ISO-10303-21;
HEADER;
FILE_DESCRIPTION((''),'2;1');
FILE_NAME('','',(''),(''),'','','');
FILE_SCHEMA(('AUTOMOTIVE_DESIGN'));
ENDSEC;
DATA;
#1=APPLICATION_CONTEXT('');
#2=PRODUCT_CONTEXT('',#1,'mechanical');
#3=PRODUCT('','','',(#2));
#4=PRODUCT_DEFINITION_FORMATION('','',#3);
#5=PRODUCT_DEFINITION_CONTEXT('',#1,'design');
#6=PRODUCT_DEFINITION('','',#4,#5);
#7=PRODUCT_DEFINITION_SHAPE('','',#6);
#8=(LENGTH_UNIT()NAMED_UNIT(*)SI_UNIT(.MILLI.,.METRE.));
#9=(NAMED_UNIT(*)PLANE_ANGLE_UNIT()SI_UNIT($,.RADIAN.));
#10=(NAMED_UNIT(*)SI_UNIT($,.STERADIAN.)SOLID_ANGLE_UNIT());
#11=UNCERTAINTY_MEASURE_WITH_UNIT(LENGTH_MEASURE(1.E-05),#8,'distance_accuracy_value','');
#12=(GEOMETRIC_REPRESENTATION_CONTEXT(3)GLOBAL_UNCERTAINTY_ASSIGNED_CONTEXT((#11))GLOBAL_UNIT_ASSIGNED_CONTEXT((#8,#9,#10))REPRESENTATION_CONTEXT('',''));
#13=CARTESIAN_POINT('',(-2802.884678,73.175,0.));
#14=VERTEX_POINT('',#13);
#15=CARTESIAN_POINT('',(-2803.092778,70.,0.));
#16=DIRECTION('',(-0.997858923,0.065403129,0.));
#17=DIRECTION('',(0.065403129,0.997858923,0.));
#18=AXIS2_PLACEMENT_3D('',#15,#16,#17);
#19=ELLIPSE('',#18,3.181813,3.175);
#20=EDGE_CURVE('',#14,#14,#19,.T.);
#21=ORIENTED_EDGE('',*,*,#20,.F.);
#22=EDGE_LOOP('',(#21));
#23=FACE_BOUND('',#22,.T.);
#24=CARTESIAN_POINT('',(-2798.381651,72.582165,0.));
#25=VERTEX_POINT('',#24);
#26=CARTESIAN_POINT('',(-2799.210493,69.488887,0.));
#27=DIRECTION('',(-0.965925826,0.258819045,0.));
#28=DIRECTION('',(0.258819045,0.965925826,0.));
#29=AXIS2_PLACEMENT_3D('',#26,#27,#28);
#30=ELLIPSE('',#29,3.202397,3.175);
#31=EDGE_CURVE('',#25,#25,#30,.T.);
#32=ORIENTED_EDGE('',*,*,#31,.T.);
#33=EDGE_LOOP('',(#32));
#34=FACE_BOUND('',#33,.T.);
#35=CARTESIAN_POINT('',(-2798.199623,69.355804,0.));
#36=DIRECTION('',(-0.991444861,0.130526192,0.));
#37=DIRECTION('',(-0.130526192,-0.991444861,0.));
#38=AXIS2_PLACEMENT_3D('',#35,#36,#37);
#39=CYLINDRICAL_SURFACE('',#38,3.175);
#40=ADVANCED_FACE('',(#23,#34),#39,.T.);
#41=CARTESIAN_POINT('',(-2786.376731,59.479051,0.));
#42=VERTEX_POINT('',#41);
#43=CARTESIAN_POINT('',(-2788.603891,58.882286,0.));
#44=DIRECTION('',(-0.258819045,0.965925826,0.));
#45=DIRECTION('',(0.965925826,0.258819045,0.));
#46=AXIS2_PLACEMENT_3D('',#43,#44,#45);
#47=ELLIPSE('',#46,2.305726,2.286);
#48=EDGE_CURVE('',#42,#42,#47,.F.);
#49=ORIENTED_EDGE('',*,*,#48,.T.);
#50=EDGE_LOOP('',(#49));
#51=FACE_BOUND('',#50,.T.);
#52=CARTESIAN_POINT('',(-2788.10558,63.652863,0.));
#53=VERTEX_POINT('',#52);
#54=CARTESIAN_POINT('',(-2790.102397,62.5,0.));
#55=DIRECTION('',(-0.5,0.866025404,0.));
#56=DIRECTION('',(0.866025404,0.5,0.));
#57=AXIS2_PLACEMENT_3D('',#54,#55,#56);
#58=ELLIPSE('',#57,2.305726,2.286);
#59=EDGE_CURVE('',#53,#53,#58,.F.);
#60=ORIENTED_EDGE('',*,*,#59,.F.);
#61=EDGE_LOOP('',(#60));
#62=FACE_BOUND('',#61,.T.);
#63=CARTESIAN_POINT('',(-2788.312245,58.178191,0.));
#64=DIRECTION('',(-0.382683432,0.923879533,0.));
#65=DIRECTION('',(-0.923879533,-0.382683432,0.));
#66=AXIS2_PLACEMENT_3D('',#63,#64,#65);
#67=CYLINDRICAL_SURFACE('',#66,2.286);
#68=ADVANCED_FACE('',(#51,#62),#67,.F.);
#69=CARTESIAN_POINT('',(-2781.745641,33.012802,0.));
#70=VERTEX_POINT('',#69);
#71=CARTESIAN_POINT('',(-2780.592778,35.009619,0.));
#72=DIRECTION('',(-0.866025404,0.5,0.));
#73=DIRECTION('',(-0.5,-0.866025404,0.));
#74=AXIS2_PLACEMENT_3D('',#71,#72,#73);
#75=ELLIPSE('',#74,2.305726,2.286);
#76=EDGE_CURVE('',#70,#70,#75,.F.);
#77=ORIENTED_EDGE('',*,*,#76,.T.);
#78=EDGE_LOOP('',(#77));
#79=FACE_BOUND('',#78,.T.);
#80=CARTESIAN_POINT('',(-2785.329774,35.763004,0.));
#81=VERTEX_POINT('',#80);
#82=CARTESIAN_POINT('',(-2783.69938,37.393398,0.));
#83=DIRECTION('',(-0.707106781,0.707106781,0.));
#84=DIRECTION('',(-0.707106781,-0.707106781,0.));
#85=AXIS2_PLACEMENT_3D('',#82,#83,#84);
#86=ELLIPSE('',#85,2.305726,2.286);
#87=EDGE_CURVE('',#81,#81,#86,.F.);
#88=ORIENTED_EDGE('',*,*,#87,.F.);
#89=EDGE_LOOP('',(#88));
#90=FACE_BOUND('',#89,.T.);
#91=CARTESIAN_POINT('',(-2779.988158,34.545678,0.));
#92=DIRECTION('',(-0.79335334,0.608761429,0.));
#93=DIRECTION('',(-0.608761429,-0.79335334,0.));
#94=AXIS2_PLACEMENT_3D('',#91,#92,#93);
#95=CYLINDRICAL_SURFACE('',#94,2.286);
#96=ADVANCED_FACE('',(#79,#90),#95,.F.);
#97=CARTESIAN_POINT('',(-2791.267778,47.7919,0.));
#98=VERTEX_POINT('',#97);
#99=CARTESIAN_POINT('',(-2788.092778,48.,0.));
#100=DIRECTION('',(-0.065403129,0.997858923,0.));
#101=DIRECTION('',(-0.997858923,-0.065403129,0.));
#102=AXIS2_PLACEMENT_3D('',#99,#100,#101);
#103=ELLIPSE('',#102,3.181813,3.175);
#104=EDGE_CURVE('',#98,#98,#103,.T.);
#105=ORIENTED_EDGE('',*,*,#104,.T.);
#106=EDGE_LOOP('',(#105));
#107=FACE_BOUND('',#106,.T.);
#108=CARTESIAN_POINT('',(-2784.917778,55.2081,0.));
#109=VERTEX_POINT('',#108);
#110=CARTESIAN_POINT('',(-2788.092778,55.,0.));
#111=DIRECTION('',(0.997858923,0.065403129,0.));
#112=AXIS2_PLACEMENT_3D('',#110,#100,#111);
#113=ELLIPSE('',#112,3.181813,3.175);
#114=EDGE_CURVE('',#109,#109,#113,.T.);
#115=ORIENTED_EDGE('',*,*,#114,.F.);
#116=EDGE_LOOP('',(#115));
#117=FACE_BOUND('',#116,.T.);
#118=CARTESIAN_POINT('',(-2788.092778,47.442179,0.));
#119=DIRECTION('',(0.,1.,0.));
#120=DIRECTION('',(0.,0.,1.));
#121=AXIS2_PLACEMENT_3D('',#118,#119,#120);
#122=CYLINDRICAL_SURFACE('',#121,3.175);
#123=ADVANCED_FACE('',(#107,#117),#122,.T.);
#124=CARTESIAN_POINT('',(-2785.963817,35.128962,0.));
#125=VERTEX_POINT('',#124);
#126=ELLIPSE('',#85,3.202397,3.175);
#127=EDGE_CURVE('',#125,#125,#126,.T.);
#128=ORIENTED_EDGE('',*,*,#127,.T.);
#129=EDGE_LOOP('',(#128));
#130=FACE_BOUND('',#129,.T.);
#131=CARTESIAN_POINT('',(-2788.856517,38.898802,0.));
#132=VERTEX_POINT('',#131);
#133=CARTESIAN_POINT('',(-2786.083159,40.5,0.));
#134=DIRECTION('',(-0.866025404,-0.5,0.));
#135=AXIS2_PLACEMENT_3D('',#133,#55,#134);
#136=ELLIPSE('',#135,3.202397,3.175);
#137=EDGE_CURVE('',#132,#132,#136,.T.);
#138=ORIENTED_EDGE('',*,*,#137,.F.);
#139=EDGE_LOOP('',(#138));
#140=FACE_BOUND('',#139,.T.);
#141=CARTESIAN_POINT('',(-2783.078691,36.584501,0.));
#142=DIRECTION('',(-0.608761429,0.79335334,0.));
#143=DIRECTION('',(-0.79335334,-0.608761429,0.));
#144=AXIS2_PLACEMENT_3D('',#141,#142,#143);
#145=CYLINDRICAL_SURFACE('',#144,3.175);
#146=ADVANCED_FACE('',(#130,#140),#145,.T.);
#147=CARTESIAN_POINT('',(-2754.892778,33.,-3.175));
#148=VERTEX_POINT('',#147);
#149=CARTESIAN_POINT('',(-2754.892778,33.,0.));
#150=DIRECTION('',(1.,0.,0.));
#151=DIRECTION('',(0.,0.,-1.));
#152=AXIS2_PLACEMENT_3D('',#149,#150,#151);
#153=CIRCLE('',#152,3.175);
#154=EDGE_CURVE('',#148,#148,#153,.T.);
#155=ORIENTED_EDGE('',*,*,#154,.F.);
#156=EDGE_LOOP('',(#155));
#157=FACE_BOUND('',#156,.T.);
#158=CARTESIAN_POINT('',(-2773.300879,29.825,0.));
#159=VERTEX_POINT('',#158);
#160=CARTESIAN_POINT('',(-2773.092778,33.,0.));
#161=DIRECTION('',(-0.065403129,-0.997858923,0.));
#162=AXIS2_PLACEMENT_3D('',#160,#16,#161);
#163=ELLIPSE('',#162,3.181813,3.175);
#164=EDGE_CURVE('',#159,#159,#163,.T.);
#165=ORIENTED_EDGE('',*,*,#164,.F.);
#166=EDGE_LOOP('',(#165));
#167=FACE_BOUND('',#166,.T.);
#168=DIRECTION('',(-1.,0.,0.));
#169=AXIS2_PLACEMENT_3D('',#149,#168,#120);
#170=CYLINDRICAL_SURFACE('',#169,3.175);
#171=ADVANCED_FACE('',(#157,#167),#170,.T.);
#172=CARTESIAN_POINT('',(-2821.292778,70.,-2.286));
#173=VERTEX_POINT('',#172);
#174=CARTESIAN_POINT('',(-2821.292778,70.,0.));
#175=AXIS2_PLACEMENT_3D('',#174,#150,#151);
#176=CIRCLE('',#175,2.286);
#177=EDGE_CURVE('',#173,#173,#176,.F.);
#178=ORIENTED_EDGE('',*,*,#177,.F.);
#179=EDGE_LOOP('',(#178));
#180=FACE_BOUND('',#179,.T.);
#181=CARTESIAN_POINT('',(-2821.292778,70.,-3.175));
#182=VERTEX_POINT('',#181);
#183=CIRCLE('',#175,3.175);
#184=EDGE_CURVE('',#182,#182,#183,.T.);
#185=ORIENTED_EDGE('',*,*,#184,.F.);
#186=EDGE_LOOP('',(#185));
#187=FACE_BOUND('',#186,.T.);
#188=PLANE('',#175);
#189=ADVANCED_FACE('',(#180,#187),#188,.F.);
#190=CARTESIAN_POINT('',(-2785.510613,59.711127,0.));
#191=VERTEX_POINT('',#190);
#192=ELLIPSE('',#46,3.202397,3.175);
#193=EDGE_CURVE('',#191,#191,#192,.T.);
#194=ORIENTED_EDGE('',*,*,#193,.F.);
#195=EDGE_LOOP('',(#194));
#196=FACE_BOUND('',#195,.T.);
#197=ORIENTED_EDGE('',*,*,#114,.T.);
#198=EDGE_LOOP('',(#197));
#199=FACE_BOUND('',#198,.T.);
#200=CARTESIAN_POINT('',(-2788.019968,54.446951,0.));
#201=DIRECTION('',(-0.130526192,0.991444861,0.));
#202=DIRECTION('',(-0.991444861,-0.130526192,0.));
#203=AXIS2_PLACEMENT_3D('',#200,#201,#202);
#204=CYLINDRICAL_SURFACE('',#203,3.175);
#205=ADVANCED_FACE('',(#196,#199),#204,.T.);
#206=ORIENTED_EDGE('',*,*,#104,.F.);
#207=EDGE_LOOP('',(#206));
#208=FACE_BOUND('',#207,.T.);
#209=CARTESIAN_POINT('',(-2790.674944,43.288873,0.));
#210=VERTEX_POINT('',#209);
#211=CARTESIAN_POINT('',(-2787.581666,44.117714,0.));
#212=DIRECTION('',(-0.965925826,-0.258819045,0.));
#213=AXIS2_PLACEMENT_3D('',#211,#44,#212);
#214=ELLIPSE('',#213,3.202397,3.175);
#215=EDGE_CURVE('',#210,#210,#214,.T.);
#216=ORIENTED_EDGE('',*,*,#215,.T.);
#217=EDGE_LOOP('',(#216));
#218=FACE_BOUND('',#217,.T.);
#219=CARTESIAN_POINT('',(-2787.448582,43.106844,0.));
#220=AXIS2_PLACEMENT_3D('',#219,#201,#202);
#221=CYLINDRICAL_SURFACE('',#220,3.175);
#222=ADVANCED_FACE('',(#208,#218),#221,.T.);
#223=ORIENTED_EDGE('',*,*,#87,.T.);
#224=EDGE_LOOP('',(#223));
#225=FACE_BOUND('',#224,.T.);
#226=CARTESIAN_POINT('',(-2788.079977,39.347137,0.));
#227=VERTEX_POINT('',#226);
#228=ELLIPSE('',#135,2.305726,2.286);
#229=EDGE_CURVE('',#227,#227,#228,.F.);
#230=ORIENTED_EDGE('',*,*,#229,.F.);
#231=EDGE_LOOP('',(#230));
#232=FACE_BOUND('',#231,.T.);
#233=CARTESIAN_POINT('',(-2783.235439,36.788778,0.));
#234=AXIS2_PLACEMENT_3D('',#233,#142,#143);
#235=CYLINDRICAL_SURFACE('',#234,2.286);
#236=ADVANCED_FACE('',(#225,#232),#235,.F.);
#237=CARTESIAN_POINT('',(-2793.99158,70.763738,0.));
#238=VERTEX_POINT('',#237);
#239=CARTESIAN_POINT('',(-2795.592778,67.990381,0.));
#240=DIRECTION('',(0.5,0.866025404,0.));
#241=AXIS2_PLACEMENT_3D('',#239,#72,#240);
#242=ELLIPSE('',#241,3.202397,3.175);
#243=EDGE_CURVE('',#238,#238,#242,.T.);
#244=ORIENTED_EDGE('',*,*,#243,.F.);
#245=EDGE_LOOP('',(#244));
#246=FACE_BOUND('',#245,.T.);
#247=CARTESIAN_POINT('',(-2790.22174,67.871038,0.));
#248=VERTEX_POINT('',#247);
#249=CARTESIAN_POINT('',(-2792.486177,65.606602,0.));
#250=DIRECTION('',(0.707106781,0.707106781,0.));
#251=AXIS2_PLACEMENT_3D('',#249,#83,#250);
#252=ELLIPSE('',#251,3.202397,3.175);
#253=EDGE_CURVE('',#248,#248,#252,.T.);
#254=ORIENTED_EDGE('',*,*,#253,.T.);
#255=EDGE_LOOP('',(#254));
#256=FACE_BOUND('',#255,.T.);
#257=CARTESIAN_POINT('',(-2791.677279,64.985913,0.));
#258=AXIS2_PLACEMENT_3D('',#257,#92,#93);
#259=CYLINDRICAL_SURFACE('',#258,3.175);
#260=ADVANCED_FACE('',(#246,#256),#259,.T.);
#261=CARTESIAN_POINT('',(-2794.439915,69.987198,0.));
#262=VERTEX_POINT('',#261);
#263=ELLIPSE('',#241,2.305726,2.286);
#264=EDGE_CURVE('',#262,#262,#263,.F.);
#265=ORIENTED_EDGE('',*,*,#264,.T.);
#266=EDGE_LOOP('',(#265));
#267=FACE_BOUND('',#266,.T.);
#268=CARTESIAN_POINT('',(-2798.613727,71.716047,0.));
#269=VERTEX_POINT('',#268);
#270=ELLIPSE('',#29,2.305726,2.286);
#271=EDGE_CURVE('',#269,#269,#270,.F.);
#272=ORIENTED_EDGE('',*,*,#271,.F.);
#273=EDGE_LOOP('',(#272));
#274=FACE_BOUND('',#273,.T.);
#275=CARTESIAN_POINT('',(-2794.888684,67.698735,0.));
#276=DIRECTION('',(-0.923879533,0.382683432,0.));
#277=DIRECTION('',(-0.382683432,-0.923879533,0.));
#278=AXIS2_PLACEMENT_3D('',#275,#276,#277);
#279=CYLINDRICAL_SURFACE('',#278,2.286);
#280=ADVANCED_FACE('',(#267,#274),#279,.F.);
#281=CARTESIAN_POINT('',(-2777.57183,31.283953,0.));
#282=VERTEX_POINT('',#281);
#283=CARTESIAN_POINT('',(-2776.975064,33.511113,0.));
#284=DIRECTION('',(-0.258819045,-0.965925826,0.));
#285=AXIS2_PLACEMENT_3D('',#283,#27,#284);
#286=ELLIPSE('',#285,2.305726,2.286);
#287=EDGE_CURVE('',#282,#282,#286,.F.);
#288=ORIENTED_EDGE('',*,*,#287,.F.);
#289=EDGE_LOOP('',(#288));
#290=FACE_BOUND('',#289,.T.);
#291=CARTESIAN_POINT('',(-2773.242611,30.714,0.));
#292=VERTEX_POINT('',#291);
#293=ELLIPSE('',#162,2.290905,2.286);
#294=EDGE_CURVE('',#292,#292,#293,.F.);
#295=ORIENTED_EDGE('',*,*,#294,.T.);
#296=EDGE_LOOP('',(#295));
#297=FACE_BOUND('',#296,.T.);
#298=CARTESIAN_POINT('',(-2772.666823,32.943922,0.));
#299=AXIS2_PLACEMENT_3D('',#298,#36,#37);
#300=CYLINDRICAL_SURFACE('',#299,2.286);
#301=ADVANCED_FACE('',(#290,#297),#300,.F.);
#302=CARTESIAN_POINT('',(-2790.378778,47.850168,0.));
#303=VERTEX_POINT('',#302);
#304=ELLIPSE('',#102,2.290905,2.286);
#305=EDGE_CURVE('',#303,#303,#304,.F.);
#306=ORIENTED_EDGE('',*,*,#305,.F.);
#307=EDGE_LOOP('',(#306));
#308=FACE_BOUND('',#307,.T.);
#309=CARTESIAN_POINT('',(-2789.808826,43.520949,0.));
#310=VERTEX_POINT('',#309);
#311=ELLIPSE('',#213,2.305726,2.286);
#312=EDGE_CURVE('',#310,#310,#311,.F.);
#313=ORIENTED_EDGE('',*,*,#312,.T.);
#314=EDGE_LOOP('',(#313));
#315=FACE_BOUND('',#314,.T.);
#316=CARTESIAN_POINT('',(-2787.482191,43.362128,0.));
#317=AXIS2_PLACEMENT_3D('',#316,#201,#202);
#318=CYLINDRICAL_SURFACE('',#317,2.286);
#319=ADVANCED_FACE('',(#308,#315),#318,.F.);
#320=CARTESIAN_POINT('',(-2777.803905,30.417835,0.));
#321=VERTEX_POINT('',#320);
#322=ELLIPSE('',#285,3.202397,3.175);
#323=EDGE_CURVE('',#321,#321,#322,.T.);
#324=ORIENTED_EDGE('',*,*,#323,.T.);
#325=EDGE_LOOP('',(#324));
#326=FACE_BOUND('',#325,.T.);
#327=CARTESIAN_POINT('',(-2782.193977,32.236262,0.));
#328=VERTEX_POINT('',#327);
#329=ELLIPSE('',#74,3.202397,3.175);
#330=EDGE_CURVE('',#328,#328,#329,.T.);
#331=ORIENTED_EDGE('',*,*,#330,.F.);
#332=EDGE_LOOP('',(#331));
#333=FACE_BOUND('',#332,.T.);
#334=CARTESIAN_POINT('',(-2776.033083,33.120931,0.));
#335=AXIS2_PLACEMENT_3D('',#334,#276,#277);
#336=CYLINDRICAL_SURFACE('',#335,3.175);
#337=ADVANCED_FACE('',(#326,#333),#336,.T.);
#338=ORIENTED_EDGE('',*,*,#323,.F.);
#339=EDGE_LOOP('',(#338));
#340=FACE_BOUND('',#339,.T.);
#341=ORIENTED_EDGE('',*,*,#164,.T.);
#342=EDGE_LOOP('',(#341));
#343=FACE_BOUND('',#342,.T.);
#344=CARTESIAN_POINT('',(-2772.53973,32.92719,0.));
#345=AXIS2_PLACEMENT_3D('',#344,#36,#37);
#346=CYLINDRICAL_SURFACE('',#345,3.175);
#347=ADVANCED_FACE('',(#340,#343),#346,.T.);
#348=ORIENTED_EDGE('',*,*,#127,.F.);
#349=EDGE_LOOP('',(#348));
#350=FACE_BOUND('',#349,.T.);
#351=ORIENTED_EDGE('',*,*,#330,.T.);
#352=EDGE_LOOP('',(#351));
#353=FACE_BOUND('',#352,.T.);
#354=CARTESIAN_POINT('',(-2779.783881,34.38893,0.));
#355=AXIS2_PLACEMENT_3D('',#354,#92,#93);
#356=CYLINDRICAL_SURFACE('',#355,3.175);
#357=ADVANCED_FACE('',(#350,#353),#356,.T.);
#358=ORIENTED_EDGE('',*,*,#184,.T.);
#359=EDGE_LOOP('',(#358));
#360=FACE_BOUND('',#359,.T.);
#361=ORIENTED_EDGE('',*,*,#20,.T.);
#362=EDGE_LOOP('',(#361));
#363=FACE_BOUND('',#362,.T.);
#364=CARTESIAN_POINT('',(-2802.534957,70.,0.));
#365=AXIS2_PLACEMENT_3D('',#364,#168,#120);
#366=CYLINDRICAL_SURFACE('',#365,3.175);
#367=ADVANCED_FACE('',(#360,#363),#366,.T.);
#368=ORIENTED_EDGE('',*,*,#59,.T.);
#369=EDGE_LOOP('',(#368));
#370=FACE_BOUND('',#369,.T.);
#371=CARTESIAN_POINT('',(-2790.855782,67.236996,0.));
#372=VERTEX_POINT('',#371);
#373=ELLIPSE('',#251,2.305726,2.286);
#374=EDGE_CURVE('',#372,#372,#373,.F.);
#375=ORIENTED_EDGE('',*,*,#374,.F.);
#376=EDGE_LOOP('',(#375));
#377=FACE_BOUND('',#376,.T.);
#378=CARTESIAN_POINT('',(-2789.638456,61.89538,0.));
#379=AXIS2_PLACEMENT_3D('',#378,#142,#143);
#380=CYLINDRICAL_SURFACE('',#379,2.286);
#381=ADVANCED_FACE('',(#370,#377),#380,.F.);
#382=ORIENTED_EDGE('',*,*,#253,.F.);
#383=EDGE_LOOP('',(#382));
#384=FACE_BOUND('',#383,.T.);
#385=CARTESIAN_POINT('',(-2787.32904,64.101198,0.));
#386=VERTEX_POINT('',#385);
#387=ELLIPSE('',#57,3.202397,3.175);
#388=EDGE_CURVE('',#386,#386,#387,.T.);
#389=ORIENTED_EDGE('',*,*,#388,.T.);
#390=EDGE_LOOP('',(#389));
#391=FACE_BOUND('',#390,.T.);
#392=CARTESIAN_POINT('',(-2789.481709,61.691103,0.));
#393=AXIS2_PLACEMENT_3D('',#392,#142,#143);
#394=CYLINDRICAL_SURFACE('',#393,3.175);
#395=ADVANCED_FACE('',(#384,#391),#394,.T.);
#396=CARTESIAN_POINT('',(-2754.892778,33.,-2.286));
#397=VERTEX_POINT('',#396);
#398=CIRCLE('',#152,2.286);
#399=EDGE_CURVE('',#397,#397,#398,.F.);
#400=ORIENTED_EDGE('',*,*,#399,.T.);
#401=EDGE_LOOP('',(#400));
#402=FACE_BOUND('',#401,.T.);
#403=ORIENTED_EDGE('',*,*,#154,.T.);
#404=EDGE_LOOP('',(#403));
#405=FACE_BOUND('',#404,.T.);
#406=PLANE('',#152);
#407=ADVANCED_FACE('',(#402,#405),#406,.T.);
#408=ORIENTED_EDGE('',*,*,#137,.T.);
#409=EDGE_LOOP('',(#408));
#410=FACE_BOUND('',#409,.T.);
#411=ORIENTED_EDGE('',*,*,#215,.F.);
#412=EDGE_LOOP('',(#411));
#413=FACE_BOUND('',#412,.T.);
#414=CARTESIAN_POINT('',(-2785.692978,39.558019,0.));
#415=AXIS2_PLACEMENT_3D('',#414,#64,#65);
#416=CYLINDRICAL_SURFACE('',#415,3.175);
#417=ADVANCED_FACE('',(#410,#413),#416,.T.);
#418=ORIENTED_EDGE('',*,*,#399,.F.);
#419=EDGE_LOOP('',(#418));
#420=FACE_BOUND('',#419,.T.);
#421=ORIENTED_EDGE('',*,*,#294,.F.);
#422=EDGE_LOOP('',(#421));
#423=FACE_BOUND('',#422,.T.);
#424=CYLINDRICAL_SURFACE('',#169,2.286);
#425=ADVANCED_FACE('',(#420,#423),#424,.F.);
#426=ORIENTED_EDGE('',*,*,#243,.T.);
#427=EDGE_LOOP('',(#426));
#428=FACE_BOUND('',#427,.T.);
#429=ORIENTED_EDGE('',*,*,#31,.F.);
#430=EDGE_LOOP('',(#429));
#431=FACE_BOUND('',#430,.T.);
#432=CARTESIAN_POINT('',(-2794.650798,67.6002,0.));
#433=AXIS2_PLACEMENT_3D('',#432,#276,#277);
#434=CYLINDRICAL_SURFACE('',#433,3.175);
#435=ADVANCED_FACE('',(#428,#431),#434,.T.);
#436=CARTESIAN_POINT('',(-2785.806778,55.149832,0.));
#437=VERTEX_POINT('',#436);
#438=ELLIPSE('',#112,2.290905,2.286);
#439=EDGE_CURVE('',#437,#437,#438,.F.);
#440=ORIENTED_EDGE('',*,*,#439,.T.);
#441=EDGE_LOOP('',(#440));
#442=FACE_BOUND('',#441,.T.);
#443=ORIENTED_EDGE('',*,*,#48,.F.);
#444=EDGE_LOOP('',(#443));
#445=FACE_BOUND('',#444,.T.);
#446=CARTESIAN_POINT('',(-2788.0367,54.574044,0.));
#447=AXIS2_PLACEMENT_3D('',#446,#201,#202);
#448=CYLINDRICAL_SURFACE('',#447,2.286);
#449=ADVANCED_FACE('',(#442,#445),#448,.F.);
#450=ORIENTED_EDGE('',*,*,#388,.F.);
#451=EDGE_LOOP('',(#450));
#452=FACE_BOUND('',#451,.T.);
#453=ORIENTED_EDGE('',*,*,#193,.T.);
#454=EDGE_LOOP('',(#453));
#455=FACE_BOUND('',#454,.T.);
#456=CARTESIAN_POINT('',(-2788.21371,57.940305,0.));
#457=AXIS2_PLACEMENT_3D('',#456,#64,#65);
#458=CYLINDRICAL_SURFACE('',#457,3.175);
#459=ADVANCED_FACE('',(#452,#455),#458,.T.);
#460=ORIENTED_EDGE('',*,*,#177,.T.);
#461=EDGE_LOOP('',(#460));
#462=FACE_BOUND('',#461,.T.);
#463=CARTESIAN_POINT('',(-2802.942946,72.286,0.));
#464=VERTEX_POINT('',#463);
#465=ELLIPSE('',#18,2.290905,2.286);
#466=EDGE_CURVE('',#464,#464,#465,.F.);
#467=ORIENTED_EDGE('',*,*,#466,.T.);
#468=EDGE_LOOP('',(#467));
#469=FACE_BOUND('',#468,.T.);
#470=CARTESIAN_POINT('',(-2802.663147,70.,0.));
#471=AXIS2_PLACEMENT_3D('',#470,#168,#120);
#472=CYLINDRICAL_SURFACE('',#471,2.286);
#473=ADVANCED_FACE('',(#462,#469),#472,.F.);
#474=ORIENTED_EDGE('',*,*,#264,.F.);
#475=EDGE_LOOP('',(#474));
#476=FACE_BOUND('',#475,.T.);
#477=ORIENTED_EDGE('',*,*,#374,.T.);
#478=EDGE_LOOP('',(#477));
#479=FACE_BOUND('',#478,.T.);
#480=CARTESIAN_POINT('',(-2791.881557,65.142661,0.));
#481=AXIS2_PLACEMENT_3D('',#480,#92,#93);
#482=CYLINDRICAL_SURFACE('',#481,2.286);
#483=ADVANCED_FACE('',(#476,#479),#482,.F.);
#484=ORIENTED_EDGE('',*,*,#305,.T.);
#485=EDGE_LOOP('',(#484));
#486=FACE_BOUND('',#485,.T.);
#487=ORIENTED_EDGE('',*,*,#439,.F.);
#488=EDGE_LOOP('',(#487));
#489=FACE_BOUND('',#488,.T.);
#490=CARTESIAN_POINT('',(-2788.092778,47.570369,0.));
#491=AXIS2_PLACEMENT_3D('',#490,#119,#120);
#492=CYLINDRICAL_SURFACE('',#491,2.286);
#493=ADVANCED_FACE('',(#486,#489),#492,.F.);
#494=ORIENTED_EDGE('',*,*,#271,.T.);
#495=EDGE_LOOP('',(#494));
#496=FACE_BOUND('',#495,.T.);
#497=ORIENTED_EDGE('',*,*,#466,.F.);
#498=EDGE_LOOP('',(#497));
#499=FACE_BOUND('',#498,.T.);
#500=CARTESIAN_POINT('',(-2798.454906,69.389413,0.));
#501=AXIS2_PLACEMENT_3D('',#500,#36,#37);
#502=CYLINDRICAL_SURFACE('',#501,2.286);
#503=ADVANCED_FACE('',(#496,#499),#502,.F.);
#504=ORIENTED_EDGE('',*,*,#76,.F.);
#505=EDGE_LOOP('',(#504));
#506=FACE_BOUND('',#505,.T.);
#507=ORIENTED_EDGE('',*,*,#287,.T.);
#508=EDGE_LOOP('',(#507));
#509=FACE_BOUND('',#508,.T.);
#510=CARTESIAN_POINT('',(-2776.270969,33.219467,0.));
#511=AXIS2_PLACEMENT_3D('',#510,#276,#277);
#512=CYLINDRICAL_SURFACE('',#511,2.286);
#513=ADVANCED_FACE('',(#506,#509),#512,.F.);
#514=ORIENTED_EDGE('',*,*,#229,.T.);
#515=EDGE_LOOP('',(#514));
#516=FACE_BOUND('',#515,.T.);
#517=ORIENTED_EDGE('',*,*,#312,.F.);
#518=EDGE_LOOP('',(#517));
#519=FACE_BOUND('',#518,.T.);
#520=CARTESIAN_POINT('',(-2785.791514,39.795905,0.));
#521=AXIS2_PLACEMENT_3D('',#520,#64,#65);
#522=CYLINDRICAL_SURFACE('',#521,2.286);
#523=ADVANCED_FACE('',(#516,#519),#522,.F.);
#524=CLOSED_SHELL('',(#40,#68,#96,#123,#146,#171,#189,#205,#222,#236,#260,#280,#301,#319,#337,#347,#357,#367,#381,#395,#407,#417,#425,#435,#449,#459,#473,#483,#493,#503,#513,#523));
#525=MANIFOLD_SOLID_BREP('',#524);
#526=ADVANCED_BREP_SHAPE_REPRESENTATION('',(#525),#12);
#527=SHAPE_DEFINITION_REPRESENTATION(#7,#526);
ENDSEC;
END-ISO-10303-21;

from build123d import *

# Parameters (mm, degrees)
PROFILE_R   = 3.175
PROFILE_R_2 = 2.286


with BuildPart() as part:
    # Tube: sweep along a curve in space
    with BuildLine() as tube_path:
        Line((-2754.892778381, 33, 0), (-2773.092778381, 33, 0))
        Line((-2773.092778381, 33, 0), (-2776.975064057, 33.511112606, 0))
        Line((-2776.975064057, 33.511112606, 0), (-2780.592778381, 35.009618943, 0))
        Line((-2780.592778381, 35.009618943, 0), (-2783.699380099, 37.393398282, 0))
        Line((-2783.699380099, 37.393398282, 0), (-2786.083159438, 40.5, 0))
        Line((-2786.083159438, 40.5, 0), (-2787.581665775, 44.117714323, 0))
        Line((-2787.581665775, 44.117714323, 0), (-2788.092778381, 48, 0))
        Line((-2788.092778381, 48, 0), (-2788.092778381, 55, 0))
        Line((-2788.092778381, 55, 0), (-2788.603890986, 58.882285677, 0))
        Line((-2788.603890986, 58.882285677, 0), (-2790.102397324, 62.5, 0))
        Line((-2790.102397324, 62.5, 0), (-2792.486176663, 65.606601718, 0))
        Line((-2792.486176663, 65.606601718, 0), (-2795.592778381, 67.990381057, 0))
        Line((-2795.592778381, 67.990381057, 0), (-2799.210492704, 69.488887394, 0))
        Line((-2799.210492704, 69.488887394, 0), (-2803.092778381, 70, 0))
        Line((-2803.092778381, 70, 0), (-2821.292778381, 70, 0))
    # Profile → Tube (sweep)
    with BuildSketch(Plane(origin=(-2754.892778381, 0, 0), x_dir=(0, 0, -1), z_dir=(1, 0, 0))):
        with Locations((0, 33)):
            Circle(PROFILE_R)
        with Locations((0, 33)):
            Circle(PROFILE_R_2, mode=Mode.SUBTRACT)
    sweep(path=tube_path.line, transition=Transition.RIGHT)


solid = part.part
